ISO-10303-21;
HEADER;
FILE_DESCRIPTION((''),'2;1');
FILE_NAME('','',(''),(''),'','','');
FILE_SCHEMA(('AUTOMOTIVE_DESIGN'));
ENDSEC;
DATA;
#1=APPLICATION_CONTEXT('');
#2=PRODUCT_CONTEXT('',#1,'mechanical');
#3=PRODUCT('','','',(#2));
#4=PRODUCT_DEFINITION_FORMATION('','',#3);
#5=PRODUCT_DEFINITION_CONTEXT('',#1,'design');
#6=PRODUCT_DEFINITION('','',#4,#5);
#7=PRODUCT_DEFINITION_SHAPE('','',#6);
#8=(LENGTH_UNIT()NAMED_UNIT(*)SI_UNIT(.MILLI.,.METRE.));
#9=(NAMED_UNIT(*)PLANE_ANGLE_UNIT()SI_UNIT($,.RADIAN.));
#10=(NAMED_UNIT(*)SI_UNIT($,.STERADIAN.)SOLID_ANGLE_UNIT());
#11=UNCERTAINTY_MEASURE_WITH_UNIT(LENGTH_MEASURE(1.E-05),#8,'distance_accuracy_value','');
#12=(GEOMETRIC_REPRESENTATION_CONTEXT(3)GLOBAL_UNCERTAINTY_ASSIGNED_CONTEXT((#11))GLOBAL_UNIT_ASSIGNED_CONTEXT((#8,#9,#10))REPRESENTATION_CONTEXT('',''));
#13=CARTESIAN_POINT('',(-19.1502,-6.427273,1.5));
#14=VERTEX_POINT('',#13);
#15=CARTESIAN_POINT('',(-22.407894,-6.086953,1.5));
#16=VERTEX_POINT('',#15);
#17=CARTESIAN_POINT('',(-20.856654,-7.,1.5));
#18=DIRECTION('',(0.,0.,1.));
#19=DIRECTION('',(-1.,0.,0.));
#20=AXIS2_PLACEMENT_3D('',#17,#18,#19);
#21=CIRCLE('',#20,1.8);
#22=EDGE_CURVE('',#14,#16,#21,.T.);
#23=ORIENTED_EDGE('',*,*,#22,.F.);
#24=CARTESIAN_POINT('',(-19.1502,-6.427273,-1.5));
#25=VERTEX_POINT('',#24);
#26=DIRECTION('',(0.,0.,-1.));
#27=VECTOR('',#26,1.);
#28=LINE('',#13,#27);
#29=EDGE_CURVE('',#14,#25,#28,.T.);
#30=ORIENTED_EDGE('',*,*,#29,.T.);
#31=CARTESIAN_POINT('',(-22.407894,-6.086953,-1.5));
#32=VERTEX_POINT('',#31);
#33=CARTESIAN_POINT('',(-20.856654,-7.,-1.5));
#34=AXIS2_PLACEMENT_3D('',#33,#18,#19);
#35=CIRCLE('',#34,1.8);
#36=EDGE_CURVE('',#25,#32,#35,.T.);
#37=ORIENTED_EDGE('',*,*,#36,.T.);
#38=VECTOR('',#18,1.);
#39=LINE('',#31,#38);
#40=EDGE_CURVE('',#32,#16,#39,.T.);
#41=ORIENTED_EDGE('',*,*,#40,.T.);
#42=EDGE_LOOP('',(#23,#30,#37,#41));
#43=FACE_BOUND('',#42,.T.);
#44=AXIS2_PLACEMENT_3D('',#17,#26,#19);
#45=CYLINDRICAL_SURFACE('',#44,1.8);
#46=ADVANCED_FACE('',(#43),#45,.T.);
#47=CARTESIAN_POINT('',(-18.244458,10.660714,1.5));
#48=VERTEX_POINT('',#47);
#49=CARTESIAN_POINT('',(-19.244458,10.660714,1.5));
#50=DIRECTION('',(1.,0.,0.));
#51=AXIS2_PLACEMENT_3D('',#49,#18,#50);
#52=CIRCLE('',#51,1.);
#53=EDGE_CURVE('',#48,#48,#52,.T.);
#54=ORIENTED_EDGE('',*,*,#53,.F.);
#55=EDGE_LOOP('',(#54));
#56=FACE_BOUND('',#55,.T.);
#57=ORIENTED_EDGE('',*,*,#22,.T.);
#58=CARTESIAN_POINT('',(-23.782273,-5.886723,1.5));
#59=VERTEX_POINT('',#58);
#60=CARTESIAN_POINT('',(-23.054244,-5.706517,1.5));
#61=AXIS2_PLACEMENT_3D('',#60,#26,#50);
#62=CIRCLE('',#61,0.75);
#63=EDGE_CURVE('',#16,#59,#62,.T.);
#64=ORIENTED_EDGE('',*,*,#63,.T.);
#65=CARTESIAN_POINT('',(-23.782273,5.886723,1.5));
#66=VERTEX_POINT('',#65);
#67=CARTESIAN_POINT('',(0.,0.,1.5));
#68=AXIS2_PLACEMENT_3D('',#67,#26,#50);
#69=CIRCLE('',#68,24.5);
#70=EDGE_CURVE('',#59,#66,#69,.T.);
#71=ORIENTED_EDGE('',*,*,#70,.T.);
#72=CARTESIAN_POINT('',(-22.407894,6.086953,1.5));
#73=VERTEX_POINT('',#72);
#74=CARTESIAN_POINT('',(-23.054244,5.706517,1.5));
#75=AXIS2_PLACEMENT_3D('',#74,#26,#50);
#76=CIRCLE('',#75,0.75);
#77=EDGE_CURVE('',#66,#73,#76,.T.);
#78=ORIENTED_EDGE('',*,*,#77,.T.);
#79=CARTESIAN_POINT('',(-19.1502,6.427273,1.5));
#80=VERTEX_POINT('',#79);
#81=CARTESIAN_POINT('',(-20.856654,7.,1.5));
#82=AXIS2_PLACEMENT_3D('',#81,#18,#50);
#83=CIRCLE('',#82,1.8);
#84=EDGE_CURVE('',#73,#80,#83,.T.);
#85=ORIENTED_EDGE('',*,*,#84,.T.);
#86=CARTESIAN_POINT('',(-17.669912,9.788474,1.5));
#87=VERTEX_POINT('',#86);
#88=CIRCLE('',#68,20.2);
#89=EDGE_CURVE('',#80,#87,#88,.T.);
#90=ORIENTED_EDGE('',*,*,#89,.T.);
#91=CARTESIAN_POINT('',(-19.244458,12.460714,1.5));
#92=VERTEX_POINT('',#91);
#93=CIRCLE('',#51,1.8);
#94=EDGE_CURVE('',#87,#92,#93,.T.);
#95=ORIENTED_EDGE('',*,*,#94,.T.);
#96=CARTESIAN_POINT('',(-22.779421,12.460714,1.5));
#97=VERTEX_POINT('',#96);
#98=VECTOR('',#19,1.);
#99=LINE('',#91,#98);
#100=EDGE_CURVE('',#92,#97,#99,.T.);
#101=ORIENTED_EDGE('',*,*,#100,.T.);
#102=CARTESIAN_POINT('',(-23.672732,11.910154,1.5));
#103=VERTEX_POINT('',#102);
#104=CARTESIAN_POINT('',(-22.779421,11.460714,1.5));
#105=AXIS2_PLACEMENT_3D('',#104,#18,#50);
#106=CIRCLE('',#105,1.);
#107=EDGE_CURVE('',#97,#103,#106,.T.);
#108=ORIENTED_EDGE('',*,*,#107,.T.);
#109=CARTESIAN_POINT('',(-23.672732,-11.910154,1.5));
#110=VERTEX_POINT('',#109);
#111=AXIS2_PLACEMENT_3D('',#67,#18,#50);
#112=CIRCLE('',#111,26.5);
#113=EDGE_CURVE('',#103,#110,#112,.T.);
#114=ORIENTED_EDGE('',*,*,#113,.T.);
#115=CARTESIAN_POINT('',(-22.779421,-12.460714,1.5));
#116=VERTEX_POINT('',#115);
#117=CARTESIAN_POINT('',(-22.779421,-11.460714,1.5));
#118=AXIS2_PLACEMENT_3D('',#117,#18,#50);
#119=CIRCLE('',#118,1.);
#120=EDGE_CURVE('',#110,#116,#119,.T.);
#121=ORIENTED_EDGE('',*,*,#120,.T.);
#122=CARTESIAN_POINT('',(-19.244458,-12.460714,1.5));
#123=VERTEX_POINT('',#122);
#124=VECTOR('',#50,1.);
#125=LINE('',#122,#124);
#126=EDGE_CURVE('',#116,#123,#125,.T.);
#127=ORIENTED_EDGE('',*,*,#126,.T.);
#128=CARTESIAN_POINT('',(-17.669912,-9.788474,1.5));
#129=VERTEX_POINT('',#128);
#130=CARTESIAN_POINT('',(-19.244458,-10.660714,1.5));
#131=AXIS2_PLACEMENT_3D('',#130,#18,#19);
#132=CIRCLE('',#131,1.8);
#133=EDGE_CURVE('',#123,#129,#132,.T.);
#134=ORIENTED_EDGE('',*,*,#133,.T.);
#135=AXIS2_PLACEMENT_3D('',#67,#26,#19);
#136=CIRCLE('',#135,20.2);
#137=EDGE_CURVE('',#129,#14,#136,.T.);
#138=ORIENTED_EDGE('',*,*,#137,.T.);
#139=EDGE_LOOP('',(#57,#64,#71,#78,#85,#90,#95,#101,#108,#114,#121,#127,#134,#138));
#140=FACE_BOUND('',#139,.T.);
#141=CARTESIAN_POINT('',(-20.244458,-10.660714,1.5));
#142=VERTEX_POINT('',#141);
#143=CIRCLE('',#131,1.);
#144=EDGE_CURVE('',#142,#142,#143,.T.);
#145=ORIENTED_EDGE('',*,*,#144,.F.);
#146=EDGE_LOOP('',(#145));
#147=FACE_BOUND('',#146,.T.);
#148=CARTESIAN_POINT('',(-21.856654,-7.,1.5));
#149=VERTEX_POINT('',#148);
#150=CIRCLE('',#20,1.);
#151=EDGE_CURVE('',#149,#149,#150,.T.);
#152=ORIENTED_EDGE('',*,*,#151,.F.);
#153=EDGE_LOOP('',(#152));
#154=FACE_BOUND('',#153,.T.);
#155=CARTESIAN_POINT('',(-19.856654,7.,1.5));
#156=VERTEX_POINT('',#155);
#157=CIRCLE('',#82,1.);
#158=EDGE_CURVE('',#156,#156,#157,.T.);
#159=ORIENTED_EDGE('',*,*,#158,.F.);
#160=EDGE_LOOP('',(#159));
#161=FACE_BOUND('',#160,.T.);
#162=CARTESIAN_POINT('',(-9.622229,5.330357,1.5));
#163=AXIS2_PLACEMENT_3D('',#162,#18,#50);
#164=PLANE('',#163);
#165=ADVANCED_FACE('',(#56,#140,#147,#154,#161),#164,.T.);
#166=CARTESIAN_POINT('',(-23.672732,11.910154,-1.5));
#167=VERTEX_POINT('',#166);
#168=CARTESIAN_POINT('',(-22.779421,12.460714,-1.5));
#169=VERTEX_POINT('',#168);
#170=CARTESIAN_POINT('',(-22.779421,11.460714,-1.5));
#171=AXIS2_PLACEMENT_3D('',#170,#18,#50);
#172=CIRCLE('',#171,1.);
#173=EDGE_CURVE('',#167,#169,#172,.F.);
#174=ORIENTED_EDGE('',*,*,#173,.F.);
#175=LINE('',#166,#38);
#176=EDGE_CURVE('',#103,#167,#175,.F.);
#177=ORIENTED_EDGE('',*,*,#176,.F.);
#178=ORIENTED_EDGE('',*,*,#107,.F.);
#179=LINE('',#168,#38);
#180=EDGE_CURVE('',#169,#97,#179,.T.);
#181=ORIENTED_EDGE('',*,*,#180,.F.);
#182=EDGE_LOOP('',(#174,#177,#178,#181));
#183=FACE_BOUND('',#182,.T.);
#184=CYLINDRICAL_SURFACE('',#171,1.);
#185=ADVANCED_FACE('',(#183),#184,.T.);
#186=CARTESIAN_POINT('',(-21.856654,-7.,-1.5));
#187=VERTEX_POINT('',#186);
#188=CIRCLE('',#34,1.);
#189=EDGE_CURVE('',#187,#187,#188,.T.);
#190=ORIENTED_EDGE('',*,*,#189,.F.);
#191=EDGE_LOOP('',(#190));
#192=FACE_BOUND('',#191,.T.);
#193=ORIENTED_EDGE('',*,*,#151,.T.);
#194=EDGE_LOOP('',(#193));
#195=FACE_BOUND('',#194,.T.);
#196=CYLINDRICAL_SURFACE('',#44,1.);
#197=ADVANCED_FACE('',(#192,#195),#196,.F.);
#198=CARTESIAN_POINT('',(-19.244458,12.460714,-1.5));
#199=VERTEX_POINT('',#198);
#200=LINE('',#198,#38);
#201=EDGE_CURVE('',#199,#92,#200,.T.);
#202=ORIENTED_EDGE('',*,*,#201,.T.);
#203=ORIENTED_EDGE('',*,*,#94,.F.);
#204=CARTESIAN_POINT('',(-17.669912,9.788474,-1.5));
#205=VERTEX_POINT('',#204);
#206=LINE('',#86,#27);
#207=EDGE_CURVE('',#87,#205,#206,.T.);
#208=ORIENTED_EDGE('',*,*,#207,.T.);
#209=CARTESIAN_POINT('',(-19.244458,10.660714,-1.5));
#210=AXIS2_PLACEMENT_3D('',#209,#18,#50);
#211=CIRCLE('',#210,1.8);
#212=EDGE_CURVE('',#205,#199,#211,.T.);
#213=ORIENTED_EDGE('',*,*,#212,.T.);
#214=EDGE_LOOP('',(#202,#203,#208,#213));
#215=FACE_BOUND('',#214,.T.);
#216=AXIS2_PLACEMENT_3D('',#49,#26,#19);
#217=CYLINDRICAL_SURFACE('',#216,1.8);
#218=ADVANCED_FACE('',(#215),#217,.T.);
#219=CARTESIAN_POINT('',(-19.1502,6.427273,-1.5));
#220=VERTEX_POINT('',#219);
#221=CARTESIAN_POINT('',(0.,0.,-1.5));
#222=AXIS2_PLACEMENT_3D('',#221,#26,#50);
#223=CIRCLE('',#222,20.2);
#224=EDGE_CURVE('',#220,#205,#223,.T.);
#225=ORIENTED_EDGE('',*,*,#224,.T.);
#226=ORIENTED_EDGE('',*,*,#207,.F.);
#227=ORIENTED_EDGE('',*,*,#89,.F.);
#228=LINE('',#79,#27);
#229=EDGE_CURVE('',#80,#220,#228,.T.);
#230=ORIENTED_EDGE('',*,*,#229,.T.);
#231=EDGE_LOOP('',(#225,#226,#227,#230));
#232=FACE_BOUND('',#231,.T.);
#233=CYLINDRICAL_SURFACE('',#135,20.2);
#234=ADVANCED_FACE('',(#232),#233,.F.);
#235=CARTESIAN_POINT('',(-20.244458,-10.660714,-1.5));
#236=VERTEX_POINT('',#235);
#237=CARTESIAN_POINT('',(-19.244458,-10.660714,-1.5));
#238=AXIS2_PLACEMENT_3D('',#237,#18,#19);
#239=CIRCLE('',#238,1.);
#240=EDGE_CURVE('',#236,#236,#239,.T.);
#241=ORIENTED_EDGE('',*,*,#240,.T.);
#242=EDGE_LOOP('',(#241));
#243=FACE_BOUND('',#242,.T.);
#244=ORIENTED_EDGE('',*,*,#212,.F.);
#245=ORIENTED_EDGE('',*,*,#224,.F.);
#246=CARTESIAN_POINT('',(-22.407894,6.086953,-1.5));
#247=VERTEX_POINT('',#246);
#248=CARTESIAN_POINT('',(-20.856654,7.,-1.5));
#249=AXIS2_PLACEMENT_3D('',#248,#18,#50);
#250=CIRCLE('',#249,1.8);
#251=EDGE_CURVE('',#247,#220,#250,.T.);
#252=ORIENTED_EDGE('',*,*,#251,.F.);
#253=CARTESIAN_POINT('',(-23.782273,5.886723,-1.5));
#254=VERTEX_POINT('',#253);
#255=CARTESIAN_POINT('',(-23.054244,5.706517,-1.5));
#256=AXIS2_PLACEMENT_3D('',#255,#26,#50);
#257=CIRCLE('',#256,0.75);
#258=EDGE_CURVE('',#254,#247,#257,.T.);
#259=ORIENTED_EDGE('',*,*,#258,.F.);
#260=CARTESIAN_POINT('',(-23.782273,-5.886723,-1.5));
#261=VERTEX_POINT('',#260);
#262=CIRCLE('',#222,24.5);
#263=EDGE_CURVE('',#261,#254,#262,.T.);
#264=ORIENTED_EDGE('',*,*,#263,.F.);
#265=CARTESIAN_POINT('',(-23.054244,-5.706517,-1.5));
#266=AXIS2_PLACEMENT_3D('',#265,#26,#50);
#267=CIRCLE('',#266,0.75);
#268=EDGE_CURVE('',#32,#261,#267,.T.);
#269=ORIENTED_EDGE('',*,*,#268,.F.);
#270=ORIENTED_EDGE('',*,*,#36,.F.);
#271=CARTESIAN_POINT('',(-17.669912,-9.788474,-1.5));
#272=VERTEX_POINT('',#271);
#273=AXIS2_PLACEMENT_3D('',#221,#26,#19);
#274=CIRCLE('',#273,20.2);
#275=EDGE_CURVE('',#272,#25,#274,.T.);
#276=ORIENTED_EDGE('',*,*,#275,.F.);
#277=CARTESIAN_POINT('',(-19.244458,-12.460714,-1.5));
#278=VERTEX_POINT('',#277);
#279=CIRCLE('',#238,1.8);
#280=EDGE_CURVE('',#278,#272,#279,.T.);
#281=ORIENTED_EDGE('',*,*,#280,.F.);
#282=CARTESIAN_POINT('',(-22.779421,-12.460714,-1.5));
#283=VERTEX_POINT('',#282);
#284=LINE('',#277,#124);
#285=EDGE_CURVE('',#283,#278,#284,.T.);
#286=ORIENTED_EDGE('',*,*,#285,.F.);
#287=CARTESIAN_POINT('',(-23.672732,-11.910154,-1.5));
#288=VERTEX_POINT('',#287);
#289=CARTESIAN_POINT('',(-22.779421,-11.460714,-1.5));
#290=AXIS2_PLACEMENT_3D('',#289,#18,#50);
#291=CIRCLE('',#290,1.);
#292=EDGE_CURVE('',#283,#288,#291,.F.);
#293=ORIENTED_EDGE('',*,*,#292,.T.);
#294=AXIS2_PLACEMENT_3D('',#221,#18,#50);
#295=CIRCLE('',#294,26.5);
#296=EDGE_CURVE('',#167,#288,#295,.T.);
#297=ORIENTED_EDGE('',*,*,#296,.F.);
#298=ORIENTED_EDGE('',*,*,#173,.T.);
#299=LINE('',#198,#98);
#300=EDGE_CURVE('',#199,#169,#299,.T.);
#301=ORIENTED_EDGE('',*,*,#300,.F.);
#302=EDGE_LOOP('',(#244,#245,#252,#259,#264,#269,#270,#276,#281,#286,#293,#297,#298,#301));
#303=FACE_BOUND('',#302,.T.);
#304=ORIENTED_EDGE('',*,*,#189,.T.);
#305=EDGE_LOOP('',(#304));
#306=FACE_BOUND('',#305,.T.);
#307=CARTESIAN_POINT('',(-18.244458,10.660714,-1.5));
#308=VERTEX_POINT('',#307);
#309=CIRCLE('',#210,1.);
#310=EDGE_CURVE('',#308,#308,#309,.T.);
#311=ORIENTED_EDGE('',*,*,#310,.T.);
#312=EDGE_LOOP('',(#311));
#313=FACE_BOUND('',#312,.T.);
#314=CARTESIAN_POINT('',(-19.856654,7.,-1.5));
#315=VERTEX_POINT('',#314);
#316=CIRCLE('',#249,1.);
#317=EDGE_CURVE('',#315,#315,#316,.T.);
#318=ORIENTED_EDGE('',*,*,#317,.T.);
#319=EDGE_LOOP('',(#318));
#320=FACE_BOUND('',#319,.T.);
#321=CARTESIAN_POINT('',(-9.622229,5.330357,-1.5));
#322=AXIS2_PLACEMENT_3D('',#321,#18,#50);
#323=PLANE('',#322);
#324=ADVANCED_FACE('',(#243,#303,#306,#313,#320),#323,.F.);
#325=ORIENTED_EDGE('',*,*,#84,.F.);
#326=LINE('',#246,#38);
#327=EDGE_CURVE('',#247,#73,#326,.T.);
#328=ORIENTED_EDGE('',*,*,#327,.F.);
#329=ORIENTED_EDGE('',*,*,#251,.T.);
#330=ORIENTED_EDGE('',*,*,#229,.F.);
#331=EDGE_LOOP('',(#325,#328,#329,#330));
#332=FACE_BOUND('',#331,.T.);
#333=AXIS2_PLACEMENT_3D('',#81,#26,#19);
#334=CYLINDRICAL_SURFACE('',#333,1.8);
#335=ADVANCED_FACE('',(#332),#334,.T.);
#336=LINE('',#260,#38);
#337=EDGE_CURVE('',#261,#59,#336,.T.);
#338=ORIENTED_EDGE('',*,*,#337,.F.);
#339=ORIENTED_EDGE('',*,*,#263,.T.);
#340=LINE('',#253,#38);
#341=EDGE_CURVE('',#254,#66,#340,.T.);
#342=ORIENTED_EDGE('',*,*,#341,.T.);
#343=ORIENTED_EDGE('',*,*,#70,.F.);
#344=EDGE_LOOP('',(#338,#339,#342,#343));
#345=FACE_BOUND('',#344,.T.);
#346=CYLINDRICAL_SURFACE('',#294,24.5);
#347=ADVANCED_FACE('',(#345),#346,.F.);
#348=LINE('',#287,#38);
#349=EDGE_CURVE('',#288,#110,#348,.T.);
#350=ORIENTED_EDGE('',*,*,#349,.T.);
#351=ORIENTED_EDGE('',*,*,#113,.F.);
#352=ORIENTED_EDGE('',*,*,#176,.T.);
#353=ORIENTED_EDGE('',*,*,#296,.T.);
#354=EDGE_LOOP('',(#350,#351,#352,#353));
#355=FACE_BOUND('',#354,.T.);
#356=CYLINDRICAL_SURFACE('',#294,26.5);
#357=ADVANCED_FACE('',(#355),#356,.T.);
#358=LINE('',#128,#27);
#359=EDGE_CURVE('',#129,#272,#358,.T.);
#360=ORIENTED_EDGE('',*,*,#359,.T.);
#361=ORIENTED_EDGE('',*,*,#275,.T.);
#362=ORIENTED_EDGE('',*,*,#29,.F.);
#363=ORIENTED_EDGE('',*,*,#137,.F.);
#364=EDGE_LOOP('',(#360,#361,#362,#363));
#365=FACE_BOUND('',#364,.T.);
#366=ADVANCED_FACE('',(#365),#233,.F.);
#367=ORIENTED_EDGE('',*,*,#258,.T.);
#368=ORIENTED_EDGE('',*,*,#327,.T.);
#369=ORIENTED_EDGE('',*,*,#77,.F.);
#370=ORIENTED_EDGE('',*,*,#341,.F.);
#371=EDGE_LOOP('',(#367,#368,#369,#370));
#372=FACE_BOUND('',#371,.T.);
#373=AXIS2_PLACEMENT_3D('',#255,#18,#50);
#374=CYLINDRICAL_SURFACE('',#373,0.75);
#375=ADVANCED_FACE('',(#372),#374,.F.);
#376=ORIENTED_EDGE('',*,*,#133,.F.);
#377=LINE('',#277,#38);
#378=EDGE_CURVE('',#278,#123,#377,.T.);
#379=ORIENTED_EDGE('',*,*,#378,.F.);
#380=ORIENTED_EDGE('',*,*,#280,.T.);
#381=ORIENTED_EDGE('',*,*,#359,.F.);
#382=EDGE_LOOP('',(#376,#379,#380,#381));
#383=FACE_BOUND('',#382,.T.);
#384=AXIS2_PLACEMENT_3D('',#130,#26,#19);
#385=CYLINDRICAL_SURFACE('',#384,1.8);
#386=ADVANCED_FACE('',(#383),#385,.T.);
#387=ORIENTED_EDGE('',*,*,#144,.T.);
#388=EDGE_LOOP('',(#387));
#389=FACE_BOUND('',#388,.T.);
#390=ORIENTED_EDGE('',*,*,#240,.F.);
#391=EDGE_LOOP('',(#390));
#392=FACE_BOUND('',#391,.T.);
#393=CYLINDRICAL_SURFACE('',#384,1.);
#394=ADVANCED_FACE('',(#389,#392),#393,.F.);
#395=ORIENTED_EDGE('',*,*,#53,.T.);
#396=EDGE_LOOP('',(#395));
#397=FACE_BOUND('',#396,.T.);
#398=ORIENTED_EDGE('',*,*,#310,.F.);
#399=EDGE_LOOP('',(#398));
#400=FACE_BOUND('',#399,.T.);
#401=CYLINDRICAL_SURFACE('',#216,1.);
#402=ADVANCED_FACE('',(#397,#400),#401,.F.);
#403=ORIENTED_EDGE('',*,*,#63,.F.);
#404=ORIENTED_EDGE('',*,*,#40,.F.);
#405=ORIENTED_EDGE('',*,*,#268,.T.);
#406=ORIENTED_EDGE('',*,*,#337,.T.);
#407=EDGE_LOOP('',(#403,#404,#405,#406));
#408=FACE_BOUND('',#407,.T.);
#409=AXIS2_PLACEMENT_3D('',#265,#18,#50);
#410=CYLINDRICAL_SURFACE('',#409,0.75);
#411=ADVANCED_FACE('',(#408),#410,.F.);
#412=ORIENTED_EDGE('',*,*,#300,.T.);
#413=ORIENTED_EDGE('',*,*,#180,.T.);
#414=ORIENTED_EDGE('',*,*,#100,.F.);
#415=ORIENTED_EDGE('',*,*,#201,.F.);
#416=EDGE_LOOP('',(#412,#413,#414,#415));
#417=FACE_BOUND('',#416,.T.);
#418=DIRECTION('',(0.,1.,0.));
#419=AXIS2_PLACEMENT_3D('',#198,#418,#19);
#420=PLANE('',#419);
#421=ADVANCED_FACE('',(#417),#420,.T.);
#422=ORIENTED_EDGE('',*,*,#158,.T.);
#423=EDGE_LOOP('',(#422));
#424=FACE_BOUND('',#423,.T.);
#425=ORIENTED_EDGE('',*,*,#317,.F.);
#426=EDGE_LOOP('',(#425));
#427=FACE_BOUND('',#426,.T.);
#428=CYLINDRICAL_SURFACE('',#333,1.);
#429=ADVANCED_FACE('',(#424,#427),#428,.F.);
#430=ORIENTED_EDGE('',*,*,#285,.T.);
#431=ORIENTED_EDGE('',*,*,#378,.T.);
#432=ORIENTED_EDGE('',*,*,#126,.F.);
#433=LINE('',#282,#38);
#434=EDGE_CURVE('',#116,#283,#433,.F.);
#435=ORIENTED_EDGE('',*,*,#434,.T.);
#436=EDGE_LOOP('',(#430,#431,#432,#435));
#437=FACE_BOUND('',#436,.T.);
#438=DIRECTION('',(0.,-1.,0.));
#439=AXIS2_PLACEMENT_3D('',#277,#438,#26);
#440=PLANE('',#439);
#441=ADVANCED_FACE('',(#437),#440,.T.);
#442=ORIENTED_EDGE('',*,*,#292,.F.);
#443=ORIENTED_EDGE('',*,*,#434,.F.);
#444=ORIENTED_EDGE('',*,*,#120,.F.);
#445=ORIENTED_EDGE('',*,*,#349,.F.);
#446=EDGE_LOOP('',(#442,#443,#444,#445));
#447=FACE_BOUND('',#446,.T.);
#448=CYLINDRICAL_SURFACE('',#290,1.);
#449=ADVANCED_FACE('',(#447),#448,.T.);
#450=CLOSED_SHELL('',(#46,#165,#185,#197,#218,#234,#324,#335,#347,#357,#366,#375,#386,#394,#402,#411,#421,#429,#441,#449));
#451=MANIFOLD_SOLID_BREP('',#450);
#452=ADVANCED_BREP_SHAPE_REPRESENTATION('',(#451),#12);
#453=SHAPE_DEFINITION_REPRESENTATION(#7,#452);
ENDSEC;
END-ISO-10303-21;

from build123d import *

# Parameters (mm, degrees)
SKETCH_1_R        = 1
EXTRUDE_1_DEPTH   = 1.5
EXTRUDE_1_2_DEPTH = 1.5
EXTRUDE_2_DEPTH   = 3
FILLET_1_R        = 1


with BuildPart() as part:
    # 草图1 → 凸台-拉伸1 (new body, symmetric)
    with BuildSketch(Plane.XY):
        with BuildLine():
            ThreePointArc((-20.819004975, 11.532954168), (-21.781247924, 9.592561643), (-22.563107092, 7.572727273))
            ThreePointArc((-22.563107092, 7.572727273), (-21.429380887, 5.293546522), (-19.150200137, 6.427272727))
            ThreePointArc((-19.150200137, 6.427272727), (-18.486605381, 8.141585932), (-17.669911786, 9.788473706))
            ThreePointArc((-17.669911786, 9.788473706), (-18.372218149, 12.235260532), (-20.819004975, 11.532954168))
        make_face()
        with Locations((-19.24445838, 10.660713937)):
            Circle(SKETCH_1_R, mode=Mode.SUBTRACT)
        with Locations((-20.856653615, 7)):
            Circle(SKETCH_1_R, mode=Mode.SUBTRACT)
    extrude(amount=EXTRUDE_1_DEPTH, both=True)



with BuildPart() as body_2:
    # 草图1 → Extrude 1 2 (new body, symmetric)
    with BuildSketch(Plane.XY):
        with BuildLine():
            ThreePointArc((-20.819004975, -11.532954168), (-21.781247924, -9.592561643), (-22.563107092, -7.572727273))
            ThreePointArc((-22.563107092, -7.572727273), (-21.429380887, -5.293546522), (-19.150200137, -6.427272727))
            ThreePointArc((-19.150200137, -6.427272727), (-18.486605381, -8.141585932), (-17.669911786, -9.788473706))
            ThreePointArc((-17.669911786, -9.788473706), (-18.372218149, -12.235260532), (-20.819004975, -11.532954168))
        make_face()
        with Locations((-19.24445838, -10.660713937)):
            Circle(SKETCH_1_R, mode=Mode.SUBTRACT)
        with Locations((-20.856653615, -7)):
            Circle(SKETCH_1_R, mode=Mode.SUBTRACT)
    extrude(amount=EXTRUDE_1_2_DEPTH, both=True)


with BuildPart() as part_1:
    add(part.part)

    add(body_2.part)  # 凸台-拉伸2 merges body 2
    # 草图2 → 凸台-拉伸2 (add)
    with BuildSketch(Plane.XY.offset(1.5)):
        with BuildLine():
            Line((-19.24445838, 12.460713937), (-23.387616556, 12.460713937))
            ThreePointArc((-23.387616556, 12.460713937), (-26.5, 0), (-23.387616556, -12.460713937))
            Line((-23.387616556, -12.460713937), (-19.24445838, -12.460713937))
            ThreePointArc((-19.24445838, -12.460713937), (-20.158232856, -12.211525404), (-20.819004975, -11.532954168))
            ThreePointArc((-20.819004975, -11.532954168), (-21.781247924, -9.592561643), (-22.563107092, -7.572727273))
            ThreePointArc((-22.563107092, -7.572727273), (-22.646911391, -6.812978362), (-22.407893773, -6.086953468))
            ThreePointArc((-22.407893773, -6.086953468), (-23.162368256, -6.448682563), (-23.782272592, -5.886723226))
            ThreePointArc((-23.782272592, -5.886723226), (-24.5, 0), (-23.782272592, 5.886723226))
            ThreePointArc((-23.782272592, 5.886723226), (-23.162368256, 6.448682563), (-22.407893773, 6.086953468))
            ThreePointArc((-22.407893773, 6.086953468), (-22.646911391, 6.812978362), (-22.563107092, 7.572727273))
            ThreePointArc((-22.563107092, 7.572727273), (-21.781247924, 9.592561643), (-20.819004975, 11.532954168))
            ThreePointArc((-20.819004975, 11.532954168), (-20.158232856, 12.211525404), (-19.24445838, 12.460713937))
        make_face()
    extrude(amount=-EXTRUDE_2_DEPTH)

    # 圆角1
    fillet_1_edges = [part_1.edges().sort_by_distance(p)[0] for p in [
        (-23.387616556, -12.460713937, 0),
        (-23.387616556, 12.460713937, 0),
    ]]
    fillet(fillet_1_edges, radius=FILLET_1_R)


solid = part_1.part
